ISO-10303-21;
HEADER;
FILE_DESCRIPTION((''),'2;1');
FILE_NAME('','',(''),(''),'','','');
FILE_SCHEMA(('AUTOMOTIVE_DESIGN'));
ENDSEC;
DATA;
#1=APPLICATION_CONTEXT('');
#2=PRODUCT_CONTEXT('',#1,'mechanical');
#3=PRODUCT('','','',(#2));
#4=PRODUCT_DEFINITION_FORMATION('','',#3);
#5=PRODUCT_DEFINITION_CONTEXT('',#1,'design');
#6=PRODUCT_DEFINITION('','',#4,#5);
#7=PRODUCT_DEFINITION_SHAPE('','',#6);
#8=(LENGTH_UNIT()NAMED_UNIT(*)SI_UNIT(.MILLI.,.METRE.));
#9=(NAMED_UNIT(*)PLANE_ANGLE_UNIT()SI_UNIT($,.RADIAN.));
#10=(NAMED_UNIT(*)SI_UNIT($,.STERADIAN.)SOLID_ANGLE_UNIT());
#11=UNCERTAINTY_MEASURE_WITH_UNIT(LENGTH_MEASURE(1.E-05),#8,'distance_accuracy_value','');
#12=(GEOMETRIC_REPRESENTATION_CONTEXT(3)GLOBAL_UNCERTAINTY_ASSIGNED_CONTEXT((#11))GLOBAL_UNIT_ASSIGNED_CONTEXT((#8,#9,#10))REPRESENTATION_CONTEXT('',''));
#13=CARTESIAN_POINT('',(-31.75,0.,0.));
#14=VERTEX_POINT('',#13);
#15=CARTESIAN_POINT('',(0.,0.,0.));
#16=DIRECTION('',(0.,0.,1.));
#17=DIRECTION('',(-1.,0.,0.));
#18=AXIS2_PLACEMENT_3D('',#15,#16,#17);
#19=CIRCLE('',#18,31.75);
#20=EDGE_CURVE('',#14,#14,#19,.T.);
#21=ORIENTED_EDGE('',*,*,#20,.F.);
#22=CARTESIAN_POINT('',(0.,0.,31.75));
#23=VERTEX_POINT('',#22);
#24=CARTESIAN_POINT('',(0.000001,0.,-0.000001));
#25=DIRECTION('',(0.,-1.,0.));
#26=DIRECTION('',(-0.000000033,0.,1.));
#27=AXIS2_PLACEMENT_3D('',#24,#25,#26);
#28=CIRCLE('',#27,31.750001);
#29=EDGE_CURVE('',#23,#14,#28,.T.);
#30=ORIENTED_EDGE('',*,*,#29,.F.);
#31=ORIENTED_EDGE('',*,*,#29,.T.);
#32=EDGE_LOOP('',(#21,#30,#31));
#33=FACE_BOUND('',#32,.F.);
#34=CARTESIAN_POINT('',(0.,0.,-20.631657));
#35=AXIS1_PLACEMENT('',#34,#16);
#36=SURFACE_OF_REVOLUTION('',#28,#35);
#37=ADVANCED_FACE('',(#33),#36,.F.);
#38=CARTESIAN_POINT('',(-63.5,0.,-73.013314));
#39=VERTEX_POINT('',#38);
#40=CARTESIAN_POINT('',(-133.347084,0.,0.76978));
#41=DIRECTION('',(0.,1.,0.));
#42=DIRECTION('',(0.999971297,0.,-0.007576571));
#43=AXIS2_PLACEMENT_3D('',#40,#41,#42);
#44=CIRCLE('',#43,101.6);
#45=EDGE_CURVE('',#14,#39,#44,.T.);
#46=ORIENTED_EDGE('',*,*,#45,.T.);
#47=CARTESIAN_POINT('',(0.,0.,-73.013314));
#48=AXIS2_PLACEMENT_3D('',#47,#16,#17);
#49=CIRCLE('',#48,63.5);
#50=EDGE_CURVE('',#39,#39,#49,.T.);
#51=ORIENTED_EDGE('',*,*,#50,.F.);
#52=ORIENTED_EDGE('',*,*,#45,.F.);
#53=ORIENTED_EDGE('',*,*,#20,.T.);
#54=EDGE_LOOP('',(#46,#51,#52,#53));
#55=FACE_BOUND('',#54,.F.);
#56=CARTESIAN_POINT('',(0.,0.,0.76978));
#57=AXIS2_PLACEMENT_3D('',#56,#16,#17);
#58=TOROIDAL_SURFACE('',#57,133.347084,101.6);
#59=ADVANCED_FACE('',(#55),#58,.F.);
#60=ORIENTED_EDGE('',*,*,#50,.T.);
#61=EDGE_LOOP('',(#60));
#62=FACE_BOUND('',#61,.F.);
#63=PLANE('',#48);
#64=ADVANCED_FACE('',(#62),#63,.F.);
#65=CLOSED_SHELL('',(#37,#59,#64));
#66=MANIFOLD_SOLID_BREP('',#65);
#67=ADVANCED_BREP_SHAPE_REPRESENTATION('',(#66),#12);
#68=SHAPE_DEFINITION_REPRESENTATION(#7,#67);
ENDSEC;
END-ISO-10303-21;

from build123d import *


with BuildPart() as f1:
    # F0 (on Front) → F1 (revolve)
    with BuildSketch(Plane.XZ):
        with BuildLine():
            Line((0, -31.75), (0, 31.75))
            ThreePointArc((0, 31.75), (-22.45064, 22.45064), (-31.75, 0))
            ThreePointArc((-31.75, 0), (-22.45064, -22.45064), (0, -31.75))
        make_face()
        with BuildLine():
            ThreePointArc((0, -31.75), (-22.45064, -22.45064), (-31.75, 0))
            ThreePointArc((-31.75, 0), (-40.175137, -39.746246), (-63.5, -73.013314))
            Line((-63.5, -73.013314), (0, -73.013314))
            Line((0, -73.013314), (0, -31.75))
        make_face()
    revolve(axis=Axis((0, 0, -20.631657), (0, 0, 1)))


solid = f1.part
